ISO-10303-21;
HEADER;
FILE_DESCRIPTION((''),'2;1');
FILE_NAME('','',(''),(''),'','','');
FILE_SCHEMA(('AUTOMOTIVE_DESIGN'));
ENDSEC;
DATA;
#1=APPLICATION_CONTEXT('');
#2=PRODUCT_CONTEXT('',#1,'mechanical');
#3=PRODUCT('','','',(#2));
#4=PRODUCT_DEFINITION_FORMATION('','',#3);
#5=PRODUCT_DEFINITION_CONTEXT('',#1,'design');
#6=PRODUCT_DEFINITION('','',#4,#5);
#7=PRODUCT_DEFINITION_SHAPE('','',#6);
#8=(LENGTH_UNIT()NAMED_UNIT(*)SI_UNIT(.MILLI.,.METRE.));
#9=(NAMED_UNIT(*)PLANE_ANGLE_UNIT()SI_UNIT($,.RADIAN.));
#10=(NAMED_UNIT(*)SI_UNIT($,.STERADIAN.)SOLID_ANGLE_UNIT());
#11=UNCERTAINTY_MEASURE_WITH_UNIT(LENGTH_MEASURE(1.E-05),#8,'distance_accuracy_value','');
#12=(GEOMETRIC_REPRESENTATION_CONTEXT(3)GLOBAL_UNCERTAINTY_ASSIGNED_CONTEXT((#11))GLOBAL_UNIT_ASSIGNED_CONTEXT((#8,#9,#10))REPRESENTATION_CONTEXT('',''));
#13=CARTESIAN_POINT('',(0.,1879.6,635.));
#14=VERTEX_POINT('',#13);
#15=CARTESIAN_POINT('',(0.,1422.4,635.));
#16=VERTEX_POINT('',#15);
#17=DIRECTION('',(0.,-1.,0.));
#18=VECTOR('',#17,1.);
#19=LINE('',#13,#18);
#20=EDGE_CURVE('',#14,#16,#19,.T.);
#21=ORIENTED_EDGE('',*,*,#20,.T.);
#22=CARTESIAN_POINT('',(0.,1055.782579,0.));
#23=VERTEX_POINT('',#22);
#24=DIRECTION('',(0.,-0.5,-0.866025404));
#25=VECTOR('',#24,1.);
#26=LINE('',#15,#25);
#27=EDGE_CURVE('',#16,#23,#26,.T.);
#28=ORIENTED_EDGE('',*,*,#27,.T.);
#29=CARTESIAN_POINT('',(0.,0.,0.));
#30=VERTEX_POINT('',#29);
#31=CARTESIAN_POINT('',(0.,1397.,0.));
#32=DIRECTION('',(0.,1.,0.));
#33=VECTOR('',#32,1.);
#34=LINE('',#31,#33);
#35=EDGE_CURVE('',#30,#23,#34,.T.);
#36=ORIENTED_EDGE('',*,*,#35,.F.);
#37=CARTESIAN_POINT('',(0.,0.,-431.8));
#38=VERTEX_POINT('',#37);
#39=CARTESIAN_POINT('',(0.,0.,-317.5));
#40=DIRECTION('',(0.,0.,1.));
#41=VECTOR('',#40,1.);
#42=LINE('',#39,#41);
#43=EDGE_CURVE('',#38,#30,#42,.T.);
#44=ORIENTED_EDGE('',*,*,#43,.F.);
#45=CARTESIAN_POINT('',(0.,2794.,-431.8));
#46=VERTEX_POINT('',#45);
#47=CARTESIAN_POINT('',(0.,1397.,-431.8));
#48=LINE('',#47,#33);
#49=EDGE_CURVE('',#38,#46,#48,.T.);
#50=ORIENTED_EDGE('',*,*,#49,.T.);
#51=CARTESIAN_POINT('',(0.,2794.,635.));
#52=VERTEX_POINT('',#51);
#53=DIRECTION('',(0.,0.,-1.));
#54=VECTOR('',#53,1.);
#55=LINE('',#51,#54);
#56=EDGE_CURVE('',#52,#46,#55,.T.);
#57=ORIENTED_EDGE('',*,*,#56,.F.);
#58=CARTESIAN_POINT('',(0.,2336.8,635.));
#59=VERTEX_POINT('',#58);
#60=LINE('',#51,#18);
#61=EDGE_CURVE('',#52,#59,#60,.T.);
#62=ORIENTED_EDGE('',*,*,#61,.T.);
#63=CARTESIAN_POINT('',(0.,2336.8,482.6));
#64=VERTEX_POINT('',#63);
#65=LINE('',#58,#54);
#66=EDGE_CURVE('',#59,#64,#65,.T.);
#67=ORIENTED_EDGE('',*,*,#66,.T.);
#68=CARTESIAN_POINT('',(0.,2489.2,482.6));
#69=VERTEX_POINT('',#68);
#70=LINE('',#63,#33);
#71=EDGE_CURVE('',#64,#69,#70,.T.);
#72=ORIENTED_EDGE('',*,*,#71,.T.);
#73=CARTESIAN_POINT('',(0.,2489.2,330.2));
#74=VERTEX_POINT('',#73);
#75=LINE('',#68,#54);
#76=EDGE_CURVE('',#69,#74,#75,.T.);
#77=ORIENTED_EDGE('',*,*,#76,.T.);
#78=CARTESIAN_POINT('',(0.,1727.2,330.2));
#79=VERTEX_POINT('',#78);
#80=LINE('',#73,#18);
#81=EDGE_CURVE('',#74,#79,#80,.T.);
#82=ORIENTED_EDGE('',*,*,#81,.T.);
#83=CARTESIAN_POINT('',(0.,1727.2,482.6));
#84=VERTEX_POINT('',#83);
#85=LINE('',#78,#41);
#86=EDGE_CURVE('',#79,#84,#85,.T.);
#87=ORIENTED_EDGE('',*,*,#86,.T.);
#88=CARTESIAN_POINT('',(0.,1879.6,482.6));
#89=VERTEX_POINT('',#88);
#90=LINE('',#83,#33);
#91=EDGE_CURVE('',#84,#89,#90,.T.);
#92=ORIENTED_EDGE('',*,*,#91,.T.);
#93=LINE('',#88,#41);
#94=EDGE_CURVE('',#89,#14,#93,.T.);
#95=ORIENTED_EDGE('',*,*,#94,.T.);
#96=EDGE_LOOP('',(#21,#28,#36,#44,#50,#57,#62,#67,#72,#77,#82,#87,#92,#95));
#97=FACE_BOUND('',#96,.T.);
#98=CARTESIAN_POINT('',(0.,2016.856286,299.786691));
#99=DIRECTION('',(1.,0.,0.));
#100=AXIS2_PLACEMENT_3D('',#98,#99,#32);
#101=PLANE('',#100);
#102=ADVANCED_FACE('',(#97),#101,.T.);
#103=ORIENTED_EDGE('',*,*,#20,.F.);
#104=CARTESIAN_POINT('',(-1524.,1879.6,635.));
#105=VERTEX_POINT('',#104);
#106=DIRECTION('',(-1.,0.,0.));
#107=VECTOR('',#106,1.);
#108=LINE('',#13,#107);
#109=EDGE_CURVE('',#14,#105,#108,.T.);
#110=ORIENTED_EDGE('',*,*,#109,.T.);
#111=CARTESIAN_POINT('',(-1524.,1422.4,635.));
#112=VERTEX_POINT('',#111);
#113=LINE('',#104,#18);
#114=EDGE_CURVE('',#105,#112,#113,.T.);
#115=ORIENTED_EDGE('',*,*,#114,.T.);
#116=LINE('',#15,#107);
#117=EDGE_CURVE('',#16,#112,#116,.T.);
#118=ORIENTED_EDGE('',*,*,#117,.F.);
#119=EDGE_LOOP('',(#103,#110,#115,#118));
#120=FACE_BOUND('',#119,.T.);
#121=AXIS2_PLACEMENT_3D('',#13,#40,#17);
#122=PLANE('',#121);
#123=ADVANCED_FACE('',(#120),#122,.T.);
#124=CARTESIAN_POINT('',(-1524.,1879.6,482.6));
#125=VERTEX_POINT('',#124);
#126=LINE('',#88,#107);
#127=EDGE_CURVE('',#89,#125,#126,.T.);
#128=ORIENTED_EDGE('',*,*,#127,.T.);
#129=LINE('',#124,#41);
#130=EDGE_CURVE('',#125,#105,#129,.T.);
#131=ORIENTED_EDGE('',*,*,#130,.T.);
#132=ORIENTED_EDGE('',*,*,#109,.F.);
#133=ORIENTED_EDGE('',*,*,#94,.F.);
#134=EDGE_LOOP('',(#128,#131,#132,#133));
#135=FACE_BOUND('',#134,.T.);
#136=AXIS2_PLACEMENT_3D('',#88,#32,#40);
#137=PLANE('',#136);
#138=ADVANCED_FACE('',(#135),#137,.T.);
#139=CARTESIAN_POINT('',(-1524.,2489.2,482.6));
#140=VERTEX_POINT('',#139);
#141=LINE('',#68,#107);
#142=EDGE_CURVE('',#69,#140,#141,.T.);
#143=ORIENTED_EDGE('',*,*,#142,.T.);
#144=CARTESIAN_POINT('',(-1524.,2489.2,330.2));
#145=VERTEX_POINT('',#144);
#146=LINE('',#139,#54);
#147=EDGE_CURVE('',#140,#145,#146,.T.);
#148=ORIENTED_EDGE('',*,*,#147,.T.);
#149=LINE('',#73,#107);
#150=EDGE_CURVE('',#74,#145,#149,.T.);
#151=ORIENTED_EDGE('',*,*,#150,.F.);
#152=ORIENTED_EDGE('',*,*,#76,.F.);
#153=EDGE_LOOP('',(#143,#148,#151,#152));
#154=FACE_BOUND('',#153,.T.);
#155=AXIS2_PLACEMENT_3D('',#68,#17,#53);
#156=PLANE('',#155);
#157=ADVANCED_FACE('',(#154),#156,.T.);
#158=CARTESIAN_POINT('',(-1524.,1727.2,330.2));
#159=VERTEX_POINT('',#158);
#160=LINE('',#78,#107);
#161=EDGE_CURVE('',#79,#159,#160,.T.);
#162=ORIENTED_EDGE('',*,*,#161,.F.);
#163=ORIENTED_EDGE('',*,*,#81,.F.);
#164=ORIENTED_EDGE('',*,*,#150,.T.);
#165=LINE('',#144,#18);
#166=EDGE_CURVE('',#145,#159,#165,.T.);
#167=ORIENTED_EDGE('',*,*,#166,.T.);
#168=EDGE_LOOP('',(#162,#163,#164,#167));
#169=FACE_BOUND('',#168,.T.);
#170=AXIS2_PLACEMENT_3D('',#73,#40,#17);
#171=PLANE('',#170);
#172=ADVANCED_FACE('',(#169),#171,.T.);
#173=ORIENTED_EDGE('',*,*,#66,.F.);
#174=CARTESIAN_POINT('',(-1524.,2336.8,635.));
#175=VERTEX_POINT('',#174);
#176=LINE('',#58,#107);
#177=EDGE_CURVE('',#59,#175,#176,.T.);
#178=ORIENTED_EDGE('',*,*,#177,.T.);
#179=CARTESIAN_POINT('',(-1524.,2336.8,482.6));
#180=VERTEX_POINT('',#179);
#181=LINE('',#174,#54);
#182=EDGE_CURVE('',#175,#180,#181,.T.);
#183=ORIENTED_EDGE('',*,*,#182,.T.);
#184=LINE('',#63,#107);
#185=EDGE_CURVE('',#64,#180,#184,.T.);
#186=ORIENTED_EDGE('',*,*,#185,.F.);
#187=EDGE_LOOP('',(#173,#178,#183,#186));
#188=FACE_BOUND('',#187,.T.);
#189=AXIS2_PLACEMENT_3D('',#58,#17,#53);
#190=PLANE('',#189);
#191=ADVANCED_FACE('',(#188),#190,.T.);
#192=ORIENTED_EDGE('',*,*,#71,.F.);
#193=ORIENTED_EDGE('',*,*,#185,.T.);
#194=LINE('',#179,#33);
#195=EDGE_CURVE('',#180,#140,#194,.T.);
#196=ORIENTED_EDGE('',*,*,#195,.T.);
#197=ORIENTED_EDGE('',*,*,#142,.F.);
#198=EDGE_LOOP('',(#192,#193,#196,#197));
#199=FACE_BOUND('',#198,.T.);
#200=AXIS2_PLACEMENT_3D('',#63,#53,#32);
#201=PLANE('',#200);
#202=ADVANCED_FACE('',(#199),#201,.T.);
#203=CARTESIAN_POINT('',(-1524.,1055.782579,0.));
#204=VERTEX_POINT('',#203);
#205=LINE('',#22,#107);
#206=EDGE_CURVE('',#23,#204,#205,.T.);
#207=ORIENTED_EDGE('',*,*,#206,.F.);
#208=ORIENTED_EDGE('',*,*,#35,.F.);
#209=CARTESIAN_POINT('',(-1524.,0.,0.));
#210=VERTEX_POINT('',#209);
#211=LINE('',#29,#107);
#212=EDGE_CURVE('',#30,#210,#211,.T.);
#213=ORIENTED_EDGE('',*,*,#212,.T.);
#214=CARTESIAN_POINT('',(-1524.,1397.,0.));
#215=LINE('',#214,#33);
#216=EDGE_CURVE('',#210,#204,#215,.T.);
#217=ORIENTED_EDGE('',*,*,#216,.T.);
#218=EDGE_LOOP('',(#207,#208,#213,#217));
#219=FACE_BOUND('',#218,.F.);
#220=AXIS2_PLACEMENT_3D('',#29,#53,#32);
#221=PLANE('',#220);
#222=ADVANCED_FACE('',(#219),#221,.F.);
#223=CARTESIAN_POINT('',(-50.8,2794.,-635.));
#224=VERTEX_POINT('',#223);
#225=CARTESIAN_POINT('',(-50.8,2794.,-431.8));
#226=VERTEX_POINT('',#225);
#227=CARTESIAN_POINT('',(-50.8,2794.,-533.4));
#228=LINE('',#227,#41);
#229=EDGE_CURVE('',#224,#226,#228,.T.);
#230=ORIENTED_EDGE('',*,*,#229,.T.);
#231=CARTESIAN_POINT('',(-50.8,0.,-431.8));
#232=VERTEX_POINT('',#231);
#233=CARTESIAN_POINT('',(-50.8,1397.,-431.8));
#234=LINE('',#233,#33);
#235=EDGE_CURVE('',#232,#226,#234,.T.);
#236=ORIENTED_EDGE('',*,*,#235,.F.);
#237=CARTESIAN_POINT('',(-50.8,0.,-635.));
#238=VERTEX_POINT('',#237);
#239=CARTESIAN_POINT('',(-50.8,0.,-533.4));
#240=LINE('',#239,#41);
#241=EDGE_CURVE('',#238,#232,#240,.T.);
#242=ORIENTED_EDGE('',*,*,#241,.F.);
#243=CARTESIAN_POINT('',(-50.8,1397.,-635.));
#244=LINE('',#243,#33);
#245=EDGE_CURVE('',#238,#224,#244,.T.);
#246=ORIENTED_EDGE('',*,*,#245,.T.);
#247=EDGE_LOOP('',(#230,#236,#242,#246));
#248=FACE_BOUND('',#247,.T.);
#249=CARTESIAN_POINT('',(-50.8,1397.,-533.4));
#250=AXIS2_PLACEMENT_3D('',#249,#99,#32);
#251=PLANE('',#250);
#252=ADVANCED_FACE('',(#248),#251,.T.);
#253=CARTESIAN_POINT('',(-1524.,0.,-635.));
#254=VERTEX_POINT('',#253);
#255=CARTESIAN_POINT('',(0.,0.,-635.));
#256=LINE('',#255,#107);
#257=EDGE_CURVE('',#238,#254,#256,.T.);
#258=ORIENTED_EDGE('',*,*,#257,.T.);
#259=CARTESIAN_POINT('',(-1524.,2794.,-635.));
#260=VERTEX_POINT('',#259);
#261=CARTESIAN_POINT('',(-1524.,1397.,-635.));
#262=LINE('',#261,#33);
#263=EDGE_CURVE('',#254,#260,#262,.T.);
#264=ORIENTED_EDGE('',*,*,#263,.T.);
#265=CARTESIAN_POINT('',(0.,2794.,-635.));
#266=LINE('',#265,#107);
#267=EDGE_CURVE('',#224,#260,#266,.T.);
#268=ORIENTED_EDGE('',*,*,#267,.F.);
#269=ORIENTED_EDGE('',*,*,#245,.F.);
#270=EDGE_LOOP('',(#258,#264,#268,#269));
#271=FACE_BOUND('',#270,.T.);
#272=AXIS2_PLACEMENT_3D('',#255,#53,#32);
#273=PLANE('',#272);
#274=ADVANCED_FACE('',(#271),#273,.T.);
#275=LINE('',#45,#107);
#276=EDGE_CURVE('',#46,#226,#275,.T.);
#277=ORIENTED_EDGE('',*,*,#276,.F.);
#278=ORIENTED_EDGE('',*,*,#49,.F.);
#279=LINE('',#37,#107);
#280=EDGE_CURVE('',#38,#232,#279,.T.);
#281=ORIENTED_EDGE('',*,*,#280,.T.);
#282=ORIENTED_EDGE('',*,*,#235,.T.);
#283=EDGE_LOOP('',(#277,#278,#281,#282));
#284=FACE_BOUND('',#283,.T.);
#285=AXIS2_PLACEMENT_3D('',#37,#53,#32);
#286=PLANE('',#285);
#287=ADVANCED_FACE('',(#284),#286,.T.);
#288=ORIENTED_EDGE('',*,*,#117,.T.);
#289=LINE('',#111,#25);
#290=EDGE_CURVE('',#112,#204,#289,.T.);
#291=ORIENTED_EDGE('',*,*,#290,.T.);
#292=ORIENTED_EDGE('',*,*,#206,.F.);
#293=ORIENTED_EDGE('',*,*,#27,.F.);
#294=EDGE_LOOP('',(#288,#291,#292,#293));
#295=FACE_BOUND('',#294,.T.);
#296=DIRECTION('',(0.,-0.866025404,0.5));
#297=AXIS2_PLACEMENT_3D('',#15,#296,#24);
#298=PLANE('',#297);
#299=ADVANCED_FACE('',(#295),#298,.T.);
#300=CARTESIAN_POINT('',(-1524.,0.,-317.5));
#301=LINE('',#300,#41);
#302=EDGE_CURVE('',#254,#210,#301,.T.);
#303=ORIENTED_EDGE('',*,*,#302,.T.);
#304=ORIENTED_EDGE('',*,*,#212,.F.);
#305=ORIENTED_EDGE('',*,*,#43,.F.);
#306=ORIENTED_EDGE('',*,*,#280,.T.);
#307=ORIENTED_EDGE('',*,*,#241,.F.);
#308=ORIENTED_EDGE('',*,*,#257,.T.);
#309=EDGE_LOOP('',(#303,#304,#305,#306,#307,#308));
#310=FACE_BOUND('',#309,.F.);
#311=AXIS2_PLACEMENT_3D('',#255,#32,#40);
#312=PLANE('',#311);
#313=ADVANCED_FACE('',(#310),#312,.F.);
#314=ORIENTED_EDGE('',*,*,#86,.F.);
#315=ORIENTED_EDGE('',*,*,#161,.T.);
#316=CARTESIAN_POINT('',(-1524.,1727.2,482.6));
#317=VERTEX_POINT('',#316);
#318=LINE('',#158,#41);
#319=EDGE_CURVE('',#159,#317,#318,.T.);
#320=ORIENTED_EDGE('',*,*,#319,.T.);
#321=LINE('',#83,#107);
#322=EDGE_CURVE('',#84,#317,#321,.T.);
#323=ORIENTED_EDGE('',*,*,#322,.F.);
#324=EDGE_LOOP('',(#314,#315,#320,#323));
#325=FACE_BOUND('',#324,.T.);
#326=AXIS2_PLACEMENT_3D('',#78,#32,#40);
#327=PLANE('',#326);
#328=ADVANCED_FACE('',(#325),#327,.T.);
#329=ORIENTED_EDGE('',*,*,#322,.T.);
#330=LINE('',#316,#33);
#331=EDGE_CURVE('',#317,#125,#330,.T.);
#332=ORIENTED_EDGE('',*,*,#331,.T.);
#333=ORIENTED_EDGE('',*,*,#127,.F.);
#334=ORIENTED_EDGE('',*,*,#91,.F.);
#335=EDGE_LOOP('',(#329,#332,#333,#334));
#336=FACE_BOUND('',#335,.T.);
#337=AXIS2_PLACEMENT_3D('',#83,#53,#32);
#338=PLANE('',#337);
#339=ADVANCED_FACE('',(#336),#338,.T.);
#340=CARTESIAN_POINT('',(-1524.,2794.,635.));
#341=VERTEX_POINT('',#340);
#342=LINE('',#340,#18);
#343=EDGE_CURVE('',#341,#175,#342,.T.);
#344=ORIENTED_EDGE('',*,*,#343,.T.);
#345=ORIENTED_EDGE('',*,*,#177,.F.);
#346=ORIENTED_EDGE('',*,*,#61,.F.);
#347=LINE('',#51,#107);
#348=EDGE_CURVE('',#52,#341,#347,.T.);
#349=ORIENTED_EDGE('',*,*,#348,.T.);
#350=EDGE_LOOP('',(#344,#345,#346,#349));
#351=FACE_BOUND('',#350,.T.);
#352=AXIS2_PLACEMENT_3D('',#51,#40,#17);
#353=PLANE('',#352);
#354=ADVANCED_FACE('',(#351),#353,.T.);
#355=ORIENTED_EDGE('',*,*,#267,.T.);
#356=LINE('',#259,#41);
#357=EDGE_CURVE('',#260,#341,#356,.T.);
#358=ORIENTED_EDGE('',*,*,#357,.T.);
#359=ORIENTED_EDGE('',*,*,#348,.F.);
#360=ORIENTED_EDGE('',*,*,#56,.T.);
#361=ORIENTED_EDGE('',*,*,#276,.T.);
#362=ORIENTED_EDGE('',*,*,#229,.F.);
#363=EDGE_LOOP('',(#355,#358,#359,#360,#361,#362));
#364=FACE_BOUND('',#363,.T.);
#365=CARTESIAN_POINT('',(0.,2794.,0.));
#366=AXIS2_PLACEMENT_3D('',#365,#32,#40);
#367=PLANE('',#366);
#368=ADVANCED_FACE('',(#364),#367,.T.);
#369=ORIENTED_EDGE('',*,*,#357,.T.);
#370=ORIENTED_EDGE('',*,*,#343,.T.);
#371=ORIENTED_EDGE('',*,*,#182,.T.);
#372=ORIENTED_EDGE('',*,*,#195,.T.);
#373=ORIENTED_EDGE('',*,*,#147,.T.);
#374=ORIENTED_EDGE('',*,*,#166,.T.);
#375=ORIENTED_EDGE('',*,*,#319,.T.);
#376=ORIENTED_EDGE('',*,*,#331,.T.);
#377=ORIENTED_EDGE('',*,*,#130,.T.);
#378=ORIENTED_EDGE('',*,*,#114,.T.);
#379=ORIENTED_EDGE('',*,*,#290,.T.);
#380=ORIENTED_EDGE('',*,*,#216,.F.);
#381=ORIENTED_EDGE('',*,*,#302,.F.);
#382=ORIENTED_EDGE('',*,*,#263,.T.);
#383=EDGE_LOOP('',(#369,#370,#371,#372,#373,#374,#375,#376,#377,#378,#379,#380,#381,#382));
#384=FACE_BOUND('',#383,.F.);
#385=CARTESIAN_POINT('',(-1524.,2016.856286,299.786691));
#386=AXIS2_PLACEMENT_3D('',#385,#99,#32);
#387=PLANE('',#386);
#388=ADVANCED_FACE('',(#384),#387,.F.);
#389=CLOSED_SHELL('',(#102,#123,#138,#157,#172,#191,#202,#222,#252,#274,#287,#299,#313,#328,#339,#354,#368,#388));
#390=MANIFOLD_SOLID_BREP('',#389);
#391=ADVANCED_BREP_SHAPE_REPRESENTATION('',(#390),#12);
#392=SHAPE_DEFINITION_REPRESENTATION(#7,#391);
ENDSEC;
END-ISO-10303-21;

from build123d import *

# Parameters (mm, degrees)
F0_W     = 2794
F0_H     = 635
F1_DEPTH = 1524
F3_DEPTH = 1524
F4_W     = 2794
F4_H     = 203.2
F5_DEPTH = 50.8


with BuildPart() as f1:
    # F0 (on Right) → F1 (new body)
    with BuildSketch(Plane.YZ):
        with Locations((1397, -317.5)):
            Rectangle(F0_W, F0_H)
    extrude(amount=-F1_DEPTH)

    # F2 (on face) → F3 (join)
    with BuildSketch(Plane.YZ):
        Polygon((1055.782579, 0), (2794, 0), (2794, 635), (2336.8, 635), (2336.8, 482.6), (2489.2, 482.6), (2489.2, 330.2), (1727.2, 330.2), (1727.2, 482.6), (1879.6, 482.6), (1879.6, 635), (1422.4, 635), align=None)
    extrude(amount=-F3_DEPTH)

    # F4 (on face) → F5 (cut)
    with BuildSketch(Plane.YZ):
        with Locations((1397, -533.4)):
            Rectangle(F4_W, F4_H)
    extrude(amount=-F5_DEPTH, mode=Mode.SUBTRACT)


solid = f1.part
